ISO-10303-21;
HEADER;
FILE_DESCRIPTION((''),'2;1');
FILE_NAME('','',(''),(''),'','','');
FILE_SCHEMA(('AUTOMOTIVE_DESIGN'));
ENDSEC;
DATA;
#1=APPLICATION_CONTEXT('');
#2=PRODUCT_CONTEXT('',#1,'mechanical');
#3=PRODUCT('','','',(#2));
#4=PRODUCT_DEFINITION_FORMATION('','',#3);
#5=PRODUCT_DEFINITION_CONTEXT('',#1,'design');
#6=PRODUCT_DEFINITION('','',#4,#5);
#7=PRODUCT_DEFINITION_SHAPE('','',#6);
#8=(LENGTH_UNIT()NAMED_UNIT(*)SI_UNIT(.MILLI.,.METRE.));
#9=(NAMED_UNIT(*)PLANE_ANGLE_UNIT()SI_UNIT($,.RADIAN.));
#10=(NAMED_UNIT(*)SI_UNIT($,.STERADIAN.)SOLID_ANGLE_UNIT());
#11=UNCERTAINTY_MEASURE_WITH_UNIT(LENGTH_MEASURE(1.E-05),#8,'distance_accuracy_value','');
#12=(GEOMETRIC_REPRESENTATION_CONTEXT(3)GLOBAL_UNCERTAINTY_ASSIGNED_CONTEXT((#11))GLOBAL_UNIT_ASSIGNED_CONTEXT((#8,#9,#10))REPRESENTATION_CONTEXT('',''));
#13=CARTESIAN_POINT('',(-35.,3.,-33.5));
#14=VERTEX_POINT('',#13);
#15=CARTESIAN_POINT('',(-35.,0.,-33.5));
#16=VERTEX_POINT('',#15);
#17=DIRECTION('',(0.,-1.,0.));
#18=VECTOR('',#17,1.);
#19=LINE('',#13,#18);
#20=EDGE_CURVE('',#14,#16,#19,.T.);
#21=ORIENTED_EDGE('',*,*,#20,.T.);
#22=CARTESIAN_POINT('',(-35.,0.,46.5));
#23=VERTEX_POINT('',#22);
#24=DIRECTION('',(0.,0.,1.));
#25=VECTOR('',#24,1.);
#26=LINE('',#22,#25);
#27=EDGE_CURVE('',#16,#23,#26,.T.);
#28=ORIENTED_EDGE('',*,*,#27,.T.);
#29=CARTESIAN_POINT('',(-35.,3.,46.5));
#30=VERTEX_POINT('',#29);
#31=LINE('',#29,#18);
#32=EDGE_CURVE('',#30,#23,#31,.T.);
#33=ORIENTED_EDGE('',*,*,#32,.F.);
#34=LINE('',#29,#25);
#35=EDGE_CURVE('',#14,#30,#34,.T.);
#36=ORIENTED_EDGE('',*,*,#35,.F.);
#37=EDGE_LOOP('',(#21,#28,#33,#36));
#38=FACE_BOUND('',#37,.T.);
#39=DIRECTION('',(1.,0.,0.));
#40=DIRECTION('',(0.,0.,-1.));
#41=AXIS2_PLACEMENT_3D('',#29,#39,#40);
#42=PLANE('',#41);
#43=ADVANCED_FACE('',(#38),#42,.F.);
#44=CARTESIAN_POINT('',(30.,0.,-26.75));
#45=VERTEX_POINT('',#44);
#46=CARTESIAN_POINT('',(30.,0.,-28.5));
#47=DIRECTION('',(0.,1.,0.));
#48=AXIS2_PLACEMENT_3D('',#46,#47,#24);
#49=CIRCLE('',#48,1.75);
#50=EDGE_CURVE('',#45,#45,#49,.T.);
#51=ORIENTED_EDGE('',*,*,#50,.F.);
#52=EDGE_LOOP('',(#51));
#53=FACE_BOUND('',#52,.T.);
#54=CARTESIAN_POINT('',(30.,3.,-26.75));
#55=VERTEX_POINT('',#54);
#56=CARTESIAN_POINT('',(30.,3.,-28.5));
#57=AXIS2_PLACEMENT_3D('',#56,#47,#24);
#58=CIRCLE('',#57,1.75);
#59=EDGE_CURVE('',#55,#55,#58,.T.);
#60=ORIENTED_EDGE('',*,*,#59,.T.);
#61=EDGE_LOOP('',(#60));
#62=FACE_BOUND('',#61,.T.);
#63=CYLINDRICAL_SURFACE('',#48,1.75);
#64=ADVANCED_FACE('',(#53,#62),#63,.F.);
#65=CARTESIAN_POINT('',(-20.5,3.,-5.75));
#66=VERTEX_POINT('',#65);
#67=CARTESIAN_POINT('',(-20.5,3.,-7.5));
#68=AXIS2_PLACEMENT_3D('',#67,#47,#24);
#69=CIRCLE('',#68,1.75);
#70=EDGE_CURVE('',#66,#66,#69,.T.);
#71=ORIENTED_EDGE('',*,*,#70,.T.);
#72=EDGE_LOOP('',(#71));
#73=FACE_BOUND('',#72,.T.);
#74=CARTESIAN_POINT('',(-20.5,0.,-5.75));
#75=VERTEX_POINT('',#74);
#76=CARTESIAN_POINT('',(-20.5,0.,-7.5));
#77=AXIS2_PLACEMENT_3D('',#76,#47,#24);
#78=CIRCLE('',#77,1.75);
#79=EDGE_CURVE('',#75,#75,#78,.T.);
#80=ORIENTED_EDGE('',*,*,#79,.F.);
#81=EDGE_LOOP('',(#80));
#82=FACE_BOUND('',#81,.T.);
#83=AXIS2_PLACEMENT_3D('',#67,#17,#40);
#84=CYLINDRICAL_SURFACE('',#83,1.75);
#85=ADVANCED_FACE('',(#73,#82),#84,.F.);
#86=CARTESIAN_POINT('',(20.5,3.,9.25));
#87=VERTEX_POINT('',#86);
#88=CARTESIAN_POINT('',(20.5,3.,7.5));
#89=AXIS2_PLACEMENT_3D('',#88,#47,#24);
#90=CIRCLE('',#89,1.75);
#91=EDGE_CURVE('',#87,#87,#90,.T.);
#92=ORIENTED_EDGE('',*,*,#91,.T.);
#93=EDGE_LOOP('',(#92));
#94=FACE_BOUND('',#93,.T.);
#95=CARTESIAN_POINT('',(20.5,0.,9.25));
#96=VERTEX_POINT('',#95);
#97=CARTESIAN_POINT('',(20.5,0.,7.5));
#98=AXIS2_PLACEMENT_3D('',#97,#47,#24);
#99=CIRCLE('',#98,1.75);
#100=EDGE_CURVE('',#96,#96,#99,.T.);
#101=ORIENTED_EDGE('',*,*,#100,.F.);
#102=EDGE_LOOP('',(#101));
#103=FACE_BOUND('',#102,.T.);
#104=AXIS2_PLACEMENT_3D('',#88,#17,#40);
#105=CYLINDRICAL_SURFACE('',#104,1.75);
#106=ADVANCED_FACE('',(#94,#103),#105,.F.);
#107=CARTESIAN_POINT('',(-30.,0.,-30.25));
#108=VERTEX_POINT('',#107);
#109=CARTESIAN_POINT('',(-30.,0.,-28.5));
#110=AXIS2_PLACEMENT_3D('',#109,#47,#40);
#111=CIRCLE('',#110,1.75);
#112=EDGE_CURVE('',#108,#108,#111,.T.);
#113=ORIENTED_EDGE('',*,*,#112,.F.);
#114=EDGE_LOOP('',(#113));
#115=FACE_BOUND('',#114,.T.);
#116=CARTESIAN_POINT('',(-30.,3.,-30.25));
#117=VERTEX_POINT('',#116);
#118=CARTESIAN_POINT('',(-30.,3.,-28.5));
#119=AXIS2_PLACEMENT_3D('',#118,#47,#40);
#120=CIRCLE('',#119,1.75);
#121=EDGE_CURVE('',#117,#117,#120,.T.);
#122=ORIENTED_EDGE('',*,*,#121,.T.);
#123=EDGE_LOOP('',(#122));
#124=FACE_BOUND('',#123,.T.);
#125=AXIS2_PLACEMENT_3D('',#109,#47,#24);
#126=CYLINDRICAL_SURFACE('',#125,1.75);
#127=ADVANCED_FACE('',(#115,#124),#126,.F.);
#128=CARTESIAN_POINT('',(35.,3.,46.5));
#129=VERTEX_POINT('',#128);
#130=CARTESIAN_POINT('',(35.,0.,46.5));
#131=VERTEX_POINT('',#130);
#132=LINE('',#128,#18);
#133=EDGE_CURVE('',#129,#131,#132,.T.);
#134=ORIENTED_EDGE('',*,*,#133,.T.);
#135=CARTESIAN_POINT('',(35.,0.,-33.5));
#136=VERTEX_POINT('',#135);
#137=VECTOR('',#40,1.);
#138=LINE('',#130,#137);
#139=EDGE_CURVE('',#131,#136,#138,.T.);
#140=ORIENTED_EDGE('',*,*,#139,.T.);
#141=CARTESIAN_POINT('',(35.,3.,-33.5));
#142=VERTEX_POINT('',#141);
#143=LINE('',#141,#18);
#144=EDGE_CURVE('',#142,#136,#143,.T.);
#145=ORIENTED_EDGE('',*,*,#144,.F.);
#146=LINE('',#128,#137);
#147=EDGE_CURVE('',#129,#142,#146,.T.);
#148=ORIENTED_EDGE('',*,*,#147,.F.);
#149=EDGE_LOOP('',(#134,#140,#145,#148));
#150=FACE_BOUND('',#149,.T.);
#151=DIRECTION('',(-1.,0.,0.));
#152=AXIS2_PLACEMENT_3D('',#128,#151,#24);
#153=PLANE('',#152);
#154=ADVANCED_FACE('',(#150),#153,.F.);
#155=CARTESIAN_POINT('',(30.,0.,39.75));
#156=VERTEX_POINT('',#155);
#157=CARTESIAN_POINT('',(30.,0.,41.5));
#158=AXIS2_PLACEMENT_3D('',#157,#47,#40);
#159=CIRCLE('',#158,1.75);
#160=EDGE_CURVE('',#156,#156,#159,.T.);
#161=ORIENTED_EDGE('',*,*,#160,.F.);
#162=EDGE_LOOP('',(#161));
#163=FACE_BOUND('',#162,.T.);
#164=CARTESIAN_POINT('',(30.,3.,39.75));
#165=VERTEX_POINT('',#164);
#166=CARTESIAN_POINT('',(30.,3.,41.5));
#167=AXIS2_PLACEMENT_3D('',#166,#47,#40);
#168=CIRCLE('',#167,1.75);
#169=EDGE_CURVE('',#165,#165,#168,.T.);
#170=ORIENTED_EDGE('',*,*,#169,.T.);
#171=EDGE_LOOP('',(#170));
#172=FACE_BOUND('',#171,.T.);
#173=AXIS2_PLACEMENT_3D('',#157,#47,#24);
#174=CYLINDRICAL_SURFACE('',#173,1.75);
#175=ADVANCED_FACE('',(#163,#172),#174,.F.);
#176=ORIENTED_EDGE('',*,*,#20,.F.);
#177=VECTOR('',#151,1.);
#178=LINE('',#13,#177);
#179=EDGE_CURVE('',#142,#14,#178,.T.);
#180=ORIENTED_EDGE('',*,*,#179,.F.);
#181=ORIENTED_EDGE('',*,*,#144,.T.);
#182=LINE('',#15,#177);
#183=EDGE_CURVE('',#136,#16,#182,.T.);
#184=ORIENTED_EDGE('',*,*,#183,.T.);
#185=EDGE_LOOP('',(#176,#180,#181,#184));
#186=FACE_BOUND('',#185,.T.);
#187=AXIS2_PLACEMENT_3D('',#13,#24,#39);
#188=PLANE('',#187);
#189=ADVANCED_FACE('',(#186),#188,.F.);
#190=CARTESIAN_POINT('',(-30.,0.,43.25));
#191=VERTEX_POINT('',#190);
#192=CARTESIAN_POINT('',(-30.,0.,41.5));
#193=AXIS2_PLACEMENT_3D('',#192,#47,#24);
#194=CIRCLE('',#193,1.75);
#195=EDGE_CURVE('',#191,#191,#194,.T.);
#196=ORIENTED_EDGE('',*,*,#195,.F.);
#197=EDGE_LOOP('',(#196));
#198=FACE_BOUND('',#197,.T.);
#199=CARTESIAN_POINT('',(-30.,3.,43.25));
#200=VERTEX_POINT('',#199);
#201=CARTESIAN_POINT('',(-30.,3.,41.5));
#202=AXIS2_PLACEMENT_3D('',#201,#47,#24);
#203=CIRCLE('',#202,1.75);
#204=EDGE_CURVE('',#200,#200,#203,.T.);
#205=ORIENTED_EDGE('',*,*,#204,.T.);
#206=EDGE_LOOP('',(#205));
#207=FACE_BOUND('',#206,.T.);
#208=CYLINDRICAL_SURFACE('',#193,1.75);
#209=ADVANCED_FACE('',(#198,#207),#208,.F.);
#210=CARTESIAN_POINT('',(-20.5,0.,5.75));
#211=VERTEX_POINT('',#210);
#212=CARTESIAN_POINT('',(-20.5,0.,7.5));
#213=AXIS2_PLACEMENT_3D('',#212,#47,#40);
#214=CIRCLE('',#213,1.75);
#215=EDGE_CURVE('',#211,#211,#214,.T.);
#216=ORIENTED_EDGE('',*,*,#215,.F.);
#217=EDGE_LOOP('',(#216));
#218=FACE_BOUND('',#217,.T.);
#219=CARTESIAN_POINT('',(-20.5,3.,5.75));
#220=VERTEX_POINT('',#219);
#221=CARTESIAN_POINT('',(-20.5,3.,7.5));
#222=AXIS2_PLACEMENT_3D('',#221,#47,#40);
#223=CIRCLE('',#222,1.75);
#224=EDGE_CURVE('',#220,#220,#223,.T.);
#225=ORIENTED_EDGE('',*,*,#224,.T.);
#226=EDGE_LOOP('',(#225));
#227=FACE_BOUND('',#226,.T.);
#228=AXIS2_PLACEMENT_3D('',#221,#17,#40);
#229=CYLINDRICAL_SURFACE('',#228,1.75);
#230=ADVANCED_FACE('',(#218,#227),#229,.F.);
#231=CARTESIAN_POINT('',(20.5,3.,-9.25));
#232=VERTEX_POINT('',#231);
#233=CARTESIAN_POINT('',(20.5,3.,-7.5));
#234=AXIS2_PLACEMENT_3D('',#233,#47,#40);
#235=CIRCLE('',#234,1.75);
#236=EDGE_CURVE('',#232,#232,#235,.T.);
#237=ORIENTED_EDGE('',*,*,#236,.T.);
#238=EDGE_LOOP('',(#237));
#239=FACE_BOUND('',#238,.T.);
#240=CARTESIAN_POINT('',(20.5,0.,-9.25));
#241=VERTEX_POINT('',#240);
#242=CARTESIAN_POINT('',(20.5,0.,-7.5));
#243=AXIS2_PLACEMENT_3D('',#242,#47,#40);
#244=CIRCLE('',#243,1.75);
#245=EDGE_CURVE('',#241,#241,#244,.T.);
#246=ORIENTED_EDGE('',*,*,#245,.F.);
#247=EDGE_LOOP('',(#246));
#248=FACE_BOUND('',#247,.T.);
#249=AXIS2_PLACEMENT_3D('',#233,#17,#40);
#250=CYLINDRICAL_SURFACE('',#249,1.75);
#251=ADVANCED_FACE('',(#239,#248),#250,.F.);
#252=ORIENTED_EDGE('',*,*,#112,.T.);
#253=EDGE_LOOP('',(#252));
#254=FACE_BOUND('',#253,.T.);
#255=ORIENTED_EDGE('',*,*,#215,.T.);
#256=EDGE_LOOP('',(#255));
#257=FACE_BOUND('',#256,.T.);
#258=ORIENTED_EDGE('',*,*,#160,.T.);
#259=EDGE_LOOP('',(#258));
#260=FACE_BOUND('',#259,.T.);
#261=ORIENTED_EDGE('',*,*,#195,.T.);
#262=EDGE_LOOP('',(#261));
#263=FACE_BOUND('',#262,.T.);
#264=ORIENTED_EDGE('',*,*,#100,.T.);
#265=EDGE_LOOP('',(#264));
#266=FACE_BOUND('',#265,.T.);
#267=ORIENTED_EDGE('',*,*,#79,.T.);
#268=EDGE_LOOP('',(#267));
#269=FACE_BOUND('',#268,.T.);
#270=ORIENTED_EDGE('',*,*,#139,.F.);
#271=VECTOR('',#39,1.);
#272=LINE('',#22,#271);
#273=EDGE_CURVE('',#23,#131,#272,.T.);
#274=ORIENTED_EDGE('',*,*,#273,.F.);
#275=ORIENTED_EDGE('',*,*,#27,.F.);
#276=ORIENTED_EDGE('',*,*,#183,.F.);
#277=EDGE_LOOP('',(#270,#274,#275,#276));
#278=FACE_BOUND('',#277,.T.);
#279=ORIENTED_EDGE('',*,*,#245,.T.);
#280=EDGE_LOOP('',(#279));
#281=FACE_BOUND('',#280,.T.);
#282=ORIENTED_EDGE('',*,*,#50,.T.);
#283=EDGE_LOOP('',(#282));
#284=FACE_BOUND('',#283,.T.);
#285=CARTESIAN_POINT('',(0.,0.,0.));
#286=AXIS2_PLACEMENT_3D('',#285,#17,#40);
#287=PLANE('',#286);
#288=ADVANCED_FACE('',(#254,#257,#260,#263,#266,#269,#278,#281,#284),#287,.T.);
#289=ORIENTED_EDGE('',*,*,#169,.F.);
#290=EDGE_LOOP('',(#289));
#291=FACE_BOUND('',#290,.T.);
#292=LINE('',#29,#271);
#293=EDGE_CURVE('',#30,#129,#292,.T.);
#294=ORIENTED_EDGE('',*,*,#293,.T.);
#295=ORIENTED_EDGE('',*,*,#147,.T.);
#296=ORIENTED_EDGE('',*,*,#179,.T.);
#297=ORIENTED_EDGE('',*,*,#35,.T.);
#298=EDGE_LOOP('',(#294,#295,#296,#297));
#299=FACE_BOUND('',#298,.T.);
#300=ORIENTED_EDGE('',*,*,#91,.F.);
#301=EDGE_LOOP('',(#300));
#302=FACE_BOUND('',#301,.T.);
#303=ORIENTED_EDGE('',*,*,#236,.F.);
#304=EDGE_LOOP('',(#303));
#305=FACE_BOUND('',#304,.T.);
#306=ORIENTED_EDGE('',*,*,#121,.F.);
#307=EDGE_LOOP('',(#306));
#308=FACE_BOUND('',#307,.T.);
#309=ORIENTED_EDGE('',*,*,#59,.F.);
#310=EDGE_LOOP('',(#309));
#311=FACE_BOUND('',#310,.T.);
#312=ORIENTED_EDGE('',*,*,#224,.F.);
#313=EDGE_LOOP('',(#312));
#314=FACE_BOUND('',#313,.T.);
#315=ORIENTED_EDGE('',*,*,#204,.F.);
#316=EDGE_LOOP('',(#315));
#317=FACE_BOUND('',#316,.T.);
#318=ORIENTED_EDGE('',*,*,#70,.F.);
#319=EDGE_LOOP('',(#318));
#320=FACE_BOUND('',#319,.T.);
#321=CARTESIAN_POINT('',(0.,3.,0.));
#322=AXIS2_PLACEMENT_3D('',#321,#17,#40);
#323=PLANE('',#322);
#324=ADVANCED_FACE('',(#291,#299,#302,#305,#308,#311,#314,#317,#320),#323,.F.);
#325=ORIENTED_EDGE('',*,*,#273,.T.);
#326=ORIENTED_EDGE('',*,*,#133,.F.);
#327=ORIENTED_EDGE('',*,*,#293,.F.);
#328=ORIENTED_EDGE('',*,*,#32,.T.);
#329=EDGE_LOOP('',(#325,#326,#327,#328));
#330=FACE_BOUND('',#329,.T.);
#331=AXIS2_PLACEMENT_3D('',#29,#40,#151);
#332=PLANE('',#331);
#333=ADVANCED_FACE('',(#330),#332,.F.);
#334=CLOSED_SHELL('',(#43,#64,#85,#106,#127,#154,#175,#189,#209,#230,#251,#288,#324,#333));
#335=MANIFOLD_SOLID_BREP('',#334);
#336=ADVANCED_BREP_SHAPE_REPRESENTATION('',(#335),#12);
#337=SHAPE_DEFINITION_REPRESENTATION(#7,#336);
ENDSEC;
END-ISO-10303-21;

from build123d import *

# Parameters (mm, degrees)
SKETCH1_W           = 70
SKETCH1_H           = 80
SKETCH1_R           = 1.75
BOSS_EXTRUDE1_DEPTH = 3
SKETCH2_R           = 1.75
CUT_EXTRUDE1_DEPTH  = 3


with BuildPart() as part:
    # Sketch1 → Boss-Extrude1 (new body)
    with BuildSketch(Plane(origin=(0, 0, 0), x_dir=(1, 0, 0), z_dir=(0, 1, 0))):
        with Locations((0, -6.5)):
            Rectangle(SKETCH1_W, SKETCH1_H)
        with Locations(Location((-20.5, 7.5, 0), (0, 0, 270))):
            Circle(SKETCH1_R, mode=Mode.SUBTRACT)
        with Locations(Location((-20.5, -7.5, 0), (0, 0, 90))):
            Circle(SKETCH1_R, mode=Mode.SUBTRACT)
        with Locations(Location((20.5, -7.5, 0), (0, 0, 270))):
            Circle(SKETCH1_R, mode=Mode.SUBTRACT)
        with Locations(Location((20.5, 7.5, 0), (0, 0, 90))):
            Circle(SKETCH1_R, mode=Mode.SUBTRACT)
    extrude(amount=BOSS_EXTRUDE1_DEPTH)

    # Sketch2 → Cut-Extrude1 (cut)
    with BuildSketch(Plane(origin=(0, 3, 0), x_dir=(1, 0, 0), z_dir=(0, 1, 0))):
        with Locations(Location((30, 28.5, 0), (0, 0, 270))):
            Circle(SKETCH2_R)
        with Locations(Location((-30, 28.5, 0), (0, 0, 90))):
            Circle(SKETCH2_R)
        with Locations(Location((30, -41.5, 0), (0, 0, 90))):
            Circle(SKETCH2_R)
        with Locations(Location((-30, -41.5, 0), (0, 0, 270))):
            Circle(SKETCH2_R)
    extrude(amount=-CUT_EXTRUDE1_DEPTH, mode=Mode.SUBTRACT)


solid = part.part
